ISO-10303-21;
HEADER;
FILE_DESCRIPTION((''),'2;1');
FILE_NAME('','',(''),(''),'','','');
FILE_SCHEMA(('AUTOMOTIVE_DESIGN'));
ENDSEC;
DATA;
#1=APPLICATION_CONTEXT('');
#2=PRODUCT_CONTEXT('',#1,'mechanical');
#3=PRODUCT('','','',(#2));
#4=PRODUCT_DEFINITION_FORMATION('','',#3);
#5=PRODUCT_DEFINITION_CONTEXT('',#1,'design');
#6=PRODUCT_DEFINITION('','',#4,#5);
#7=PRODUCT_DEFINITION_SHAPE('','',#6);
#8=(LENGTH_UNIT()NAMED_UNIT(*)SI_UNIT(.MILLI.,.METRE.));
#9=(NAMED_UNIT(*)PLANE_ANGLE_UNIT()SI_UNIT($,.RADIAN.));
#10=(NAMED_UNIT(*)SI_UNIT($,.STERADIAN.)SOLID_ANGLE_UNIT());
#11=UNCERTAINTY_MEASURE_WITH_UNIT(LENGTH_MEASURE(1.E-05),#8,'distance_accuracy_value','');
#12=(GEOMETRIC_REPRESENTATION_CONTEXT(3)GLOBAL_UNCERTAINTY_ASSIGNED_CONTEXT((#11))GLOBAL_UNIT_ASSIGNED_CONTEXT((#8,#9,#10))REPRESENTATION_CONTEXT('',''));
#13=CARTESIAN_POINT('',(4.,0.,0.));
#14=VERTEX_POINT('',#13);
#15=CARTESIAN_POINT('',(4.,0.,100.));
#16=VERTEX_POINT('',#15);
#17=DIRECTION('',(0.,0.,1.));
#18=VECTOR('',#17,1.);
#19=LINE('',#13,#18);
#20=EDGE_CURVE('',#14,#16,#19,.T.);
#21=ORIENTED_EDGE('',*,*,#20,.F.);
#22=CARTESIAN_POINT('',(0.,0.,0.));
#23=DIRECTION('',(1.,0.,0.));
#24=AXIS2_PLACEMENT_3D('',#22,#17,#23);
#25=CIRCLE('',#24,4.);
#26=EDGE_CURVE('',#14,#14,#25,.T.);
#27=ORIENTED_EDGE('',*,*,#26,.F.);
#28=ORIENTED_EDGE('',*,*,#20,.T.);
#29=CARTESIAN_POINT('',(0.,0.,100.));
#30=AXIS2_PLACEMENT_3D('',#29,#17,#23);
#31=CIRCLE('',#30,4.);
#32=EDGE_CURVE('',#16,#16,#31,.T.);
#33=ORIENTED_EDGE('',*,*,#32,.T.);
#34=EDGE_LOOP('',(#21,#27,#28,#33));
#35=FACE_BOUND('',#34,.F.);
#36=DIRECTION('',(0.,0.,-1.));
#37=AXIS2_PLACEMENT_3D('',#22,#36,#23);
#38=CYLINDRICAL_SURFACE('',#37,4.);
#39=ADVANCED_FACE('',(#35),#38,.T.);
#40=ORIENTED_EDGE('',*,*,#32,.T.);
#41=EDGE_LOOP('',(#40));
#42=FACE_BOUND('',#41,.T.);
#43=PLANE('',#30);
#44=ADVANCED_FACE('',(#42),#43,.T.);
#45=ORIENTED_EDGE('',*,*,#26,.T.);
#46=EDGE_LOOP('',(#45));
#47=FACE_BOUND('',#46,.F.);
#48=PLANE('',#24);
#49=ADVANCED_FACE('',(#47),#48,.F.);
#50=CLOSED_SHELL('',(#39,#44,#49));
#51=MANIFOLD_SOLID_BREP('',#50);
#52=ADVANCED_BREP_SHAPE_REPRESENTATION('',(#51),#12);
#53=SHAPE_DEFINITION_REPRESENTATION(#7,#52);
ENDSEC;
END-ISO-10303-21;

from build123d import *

# Parameters (mm, degrees)
SKETCH1_R           = 4
BOSS_EXTRUDE1_DEPTH = 100


with BuildPart() as part:
    # Sketch1 → Boss-Extrude1 (new body)
    with BuildSketch(Plane.XY):
        Circle(SKETCH1_R)
    extrude(amount=BOSS_EXTRUDE1_DEPTH)


solid = part.part
